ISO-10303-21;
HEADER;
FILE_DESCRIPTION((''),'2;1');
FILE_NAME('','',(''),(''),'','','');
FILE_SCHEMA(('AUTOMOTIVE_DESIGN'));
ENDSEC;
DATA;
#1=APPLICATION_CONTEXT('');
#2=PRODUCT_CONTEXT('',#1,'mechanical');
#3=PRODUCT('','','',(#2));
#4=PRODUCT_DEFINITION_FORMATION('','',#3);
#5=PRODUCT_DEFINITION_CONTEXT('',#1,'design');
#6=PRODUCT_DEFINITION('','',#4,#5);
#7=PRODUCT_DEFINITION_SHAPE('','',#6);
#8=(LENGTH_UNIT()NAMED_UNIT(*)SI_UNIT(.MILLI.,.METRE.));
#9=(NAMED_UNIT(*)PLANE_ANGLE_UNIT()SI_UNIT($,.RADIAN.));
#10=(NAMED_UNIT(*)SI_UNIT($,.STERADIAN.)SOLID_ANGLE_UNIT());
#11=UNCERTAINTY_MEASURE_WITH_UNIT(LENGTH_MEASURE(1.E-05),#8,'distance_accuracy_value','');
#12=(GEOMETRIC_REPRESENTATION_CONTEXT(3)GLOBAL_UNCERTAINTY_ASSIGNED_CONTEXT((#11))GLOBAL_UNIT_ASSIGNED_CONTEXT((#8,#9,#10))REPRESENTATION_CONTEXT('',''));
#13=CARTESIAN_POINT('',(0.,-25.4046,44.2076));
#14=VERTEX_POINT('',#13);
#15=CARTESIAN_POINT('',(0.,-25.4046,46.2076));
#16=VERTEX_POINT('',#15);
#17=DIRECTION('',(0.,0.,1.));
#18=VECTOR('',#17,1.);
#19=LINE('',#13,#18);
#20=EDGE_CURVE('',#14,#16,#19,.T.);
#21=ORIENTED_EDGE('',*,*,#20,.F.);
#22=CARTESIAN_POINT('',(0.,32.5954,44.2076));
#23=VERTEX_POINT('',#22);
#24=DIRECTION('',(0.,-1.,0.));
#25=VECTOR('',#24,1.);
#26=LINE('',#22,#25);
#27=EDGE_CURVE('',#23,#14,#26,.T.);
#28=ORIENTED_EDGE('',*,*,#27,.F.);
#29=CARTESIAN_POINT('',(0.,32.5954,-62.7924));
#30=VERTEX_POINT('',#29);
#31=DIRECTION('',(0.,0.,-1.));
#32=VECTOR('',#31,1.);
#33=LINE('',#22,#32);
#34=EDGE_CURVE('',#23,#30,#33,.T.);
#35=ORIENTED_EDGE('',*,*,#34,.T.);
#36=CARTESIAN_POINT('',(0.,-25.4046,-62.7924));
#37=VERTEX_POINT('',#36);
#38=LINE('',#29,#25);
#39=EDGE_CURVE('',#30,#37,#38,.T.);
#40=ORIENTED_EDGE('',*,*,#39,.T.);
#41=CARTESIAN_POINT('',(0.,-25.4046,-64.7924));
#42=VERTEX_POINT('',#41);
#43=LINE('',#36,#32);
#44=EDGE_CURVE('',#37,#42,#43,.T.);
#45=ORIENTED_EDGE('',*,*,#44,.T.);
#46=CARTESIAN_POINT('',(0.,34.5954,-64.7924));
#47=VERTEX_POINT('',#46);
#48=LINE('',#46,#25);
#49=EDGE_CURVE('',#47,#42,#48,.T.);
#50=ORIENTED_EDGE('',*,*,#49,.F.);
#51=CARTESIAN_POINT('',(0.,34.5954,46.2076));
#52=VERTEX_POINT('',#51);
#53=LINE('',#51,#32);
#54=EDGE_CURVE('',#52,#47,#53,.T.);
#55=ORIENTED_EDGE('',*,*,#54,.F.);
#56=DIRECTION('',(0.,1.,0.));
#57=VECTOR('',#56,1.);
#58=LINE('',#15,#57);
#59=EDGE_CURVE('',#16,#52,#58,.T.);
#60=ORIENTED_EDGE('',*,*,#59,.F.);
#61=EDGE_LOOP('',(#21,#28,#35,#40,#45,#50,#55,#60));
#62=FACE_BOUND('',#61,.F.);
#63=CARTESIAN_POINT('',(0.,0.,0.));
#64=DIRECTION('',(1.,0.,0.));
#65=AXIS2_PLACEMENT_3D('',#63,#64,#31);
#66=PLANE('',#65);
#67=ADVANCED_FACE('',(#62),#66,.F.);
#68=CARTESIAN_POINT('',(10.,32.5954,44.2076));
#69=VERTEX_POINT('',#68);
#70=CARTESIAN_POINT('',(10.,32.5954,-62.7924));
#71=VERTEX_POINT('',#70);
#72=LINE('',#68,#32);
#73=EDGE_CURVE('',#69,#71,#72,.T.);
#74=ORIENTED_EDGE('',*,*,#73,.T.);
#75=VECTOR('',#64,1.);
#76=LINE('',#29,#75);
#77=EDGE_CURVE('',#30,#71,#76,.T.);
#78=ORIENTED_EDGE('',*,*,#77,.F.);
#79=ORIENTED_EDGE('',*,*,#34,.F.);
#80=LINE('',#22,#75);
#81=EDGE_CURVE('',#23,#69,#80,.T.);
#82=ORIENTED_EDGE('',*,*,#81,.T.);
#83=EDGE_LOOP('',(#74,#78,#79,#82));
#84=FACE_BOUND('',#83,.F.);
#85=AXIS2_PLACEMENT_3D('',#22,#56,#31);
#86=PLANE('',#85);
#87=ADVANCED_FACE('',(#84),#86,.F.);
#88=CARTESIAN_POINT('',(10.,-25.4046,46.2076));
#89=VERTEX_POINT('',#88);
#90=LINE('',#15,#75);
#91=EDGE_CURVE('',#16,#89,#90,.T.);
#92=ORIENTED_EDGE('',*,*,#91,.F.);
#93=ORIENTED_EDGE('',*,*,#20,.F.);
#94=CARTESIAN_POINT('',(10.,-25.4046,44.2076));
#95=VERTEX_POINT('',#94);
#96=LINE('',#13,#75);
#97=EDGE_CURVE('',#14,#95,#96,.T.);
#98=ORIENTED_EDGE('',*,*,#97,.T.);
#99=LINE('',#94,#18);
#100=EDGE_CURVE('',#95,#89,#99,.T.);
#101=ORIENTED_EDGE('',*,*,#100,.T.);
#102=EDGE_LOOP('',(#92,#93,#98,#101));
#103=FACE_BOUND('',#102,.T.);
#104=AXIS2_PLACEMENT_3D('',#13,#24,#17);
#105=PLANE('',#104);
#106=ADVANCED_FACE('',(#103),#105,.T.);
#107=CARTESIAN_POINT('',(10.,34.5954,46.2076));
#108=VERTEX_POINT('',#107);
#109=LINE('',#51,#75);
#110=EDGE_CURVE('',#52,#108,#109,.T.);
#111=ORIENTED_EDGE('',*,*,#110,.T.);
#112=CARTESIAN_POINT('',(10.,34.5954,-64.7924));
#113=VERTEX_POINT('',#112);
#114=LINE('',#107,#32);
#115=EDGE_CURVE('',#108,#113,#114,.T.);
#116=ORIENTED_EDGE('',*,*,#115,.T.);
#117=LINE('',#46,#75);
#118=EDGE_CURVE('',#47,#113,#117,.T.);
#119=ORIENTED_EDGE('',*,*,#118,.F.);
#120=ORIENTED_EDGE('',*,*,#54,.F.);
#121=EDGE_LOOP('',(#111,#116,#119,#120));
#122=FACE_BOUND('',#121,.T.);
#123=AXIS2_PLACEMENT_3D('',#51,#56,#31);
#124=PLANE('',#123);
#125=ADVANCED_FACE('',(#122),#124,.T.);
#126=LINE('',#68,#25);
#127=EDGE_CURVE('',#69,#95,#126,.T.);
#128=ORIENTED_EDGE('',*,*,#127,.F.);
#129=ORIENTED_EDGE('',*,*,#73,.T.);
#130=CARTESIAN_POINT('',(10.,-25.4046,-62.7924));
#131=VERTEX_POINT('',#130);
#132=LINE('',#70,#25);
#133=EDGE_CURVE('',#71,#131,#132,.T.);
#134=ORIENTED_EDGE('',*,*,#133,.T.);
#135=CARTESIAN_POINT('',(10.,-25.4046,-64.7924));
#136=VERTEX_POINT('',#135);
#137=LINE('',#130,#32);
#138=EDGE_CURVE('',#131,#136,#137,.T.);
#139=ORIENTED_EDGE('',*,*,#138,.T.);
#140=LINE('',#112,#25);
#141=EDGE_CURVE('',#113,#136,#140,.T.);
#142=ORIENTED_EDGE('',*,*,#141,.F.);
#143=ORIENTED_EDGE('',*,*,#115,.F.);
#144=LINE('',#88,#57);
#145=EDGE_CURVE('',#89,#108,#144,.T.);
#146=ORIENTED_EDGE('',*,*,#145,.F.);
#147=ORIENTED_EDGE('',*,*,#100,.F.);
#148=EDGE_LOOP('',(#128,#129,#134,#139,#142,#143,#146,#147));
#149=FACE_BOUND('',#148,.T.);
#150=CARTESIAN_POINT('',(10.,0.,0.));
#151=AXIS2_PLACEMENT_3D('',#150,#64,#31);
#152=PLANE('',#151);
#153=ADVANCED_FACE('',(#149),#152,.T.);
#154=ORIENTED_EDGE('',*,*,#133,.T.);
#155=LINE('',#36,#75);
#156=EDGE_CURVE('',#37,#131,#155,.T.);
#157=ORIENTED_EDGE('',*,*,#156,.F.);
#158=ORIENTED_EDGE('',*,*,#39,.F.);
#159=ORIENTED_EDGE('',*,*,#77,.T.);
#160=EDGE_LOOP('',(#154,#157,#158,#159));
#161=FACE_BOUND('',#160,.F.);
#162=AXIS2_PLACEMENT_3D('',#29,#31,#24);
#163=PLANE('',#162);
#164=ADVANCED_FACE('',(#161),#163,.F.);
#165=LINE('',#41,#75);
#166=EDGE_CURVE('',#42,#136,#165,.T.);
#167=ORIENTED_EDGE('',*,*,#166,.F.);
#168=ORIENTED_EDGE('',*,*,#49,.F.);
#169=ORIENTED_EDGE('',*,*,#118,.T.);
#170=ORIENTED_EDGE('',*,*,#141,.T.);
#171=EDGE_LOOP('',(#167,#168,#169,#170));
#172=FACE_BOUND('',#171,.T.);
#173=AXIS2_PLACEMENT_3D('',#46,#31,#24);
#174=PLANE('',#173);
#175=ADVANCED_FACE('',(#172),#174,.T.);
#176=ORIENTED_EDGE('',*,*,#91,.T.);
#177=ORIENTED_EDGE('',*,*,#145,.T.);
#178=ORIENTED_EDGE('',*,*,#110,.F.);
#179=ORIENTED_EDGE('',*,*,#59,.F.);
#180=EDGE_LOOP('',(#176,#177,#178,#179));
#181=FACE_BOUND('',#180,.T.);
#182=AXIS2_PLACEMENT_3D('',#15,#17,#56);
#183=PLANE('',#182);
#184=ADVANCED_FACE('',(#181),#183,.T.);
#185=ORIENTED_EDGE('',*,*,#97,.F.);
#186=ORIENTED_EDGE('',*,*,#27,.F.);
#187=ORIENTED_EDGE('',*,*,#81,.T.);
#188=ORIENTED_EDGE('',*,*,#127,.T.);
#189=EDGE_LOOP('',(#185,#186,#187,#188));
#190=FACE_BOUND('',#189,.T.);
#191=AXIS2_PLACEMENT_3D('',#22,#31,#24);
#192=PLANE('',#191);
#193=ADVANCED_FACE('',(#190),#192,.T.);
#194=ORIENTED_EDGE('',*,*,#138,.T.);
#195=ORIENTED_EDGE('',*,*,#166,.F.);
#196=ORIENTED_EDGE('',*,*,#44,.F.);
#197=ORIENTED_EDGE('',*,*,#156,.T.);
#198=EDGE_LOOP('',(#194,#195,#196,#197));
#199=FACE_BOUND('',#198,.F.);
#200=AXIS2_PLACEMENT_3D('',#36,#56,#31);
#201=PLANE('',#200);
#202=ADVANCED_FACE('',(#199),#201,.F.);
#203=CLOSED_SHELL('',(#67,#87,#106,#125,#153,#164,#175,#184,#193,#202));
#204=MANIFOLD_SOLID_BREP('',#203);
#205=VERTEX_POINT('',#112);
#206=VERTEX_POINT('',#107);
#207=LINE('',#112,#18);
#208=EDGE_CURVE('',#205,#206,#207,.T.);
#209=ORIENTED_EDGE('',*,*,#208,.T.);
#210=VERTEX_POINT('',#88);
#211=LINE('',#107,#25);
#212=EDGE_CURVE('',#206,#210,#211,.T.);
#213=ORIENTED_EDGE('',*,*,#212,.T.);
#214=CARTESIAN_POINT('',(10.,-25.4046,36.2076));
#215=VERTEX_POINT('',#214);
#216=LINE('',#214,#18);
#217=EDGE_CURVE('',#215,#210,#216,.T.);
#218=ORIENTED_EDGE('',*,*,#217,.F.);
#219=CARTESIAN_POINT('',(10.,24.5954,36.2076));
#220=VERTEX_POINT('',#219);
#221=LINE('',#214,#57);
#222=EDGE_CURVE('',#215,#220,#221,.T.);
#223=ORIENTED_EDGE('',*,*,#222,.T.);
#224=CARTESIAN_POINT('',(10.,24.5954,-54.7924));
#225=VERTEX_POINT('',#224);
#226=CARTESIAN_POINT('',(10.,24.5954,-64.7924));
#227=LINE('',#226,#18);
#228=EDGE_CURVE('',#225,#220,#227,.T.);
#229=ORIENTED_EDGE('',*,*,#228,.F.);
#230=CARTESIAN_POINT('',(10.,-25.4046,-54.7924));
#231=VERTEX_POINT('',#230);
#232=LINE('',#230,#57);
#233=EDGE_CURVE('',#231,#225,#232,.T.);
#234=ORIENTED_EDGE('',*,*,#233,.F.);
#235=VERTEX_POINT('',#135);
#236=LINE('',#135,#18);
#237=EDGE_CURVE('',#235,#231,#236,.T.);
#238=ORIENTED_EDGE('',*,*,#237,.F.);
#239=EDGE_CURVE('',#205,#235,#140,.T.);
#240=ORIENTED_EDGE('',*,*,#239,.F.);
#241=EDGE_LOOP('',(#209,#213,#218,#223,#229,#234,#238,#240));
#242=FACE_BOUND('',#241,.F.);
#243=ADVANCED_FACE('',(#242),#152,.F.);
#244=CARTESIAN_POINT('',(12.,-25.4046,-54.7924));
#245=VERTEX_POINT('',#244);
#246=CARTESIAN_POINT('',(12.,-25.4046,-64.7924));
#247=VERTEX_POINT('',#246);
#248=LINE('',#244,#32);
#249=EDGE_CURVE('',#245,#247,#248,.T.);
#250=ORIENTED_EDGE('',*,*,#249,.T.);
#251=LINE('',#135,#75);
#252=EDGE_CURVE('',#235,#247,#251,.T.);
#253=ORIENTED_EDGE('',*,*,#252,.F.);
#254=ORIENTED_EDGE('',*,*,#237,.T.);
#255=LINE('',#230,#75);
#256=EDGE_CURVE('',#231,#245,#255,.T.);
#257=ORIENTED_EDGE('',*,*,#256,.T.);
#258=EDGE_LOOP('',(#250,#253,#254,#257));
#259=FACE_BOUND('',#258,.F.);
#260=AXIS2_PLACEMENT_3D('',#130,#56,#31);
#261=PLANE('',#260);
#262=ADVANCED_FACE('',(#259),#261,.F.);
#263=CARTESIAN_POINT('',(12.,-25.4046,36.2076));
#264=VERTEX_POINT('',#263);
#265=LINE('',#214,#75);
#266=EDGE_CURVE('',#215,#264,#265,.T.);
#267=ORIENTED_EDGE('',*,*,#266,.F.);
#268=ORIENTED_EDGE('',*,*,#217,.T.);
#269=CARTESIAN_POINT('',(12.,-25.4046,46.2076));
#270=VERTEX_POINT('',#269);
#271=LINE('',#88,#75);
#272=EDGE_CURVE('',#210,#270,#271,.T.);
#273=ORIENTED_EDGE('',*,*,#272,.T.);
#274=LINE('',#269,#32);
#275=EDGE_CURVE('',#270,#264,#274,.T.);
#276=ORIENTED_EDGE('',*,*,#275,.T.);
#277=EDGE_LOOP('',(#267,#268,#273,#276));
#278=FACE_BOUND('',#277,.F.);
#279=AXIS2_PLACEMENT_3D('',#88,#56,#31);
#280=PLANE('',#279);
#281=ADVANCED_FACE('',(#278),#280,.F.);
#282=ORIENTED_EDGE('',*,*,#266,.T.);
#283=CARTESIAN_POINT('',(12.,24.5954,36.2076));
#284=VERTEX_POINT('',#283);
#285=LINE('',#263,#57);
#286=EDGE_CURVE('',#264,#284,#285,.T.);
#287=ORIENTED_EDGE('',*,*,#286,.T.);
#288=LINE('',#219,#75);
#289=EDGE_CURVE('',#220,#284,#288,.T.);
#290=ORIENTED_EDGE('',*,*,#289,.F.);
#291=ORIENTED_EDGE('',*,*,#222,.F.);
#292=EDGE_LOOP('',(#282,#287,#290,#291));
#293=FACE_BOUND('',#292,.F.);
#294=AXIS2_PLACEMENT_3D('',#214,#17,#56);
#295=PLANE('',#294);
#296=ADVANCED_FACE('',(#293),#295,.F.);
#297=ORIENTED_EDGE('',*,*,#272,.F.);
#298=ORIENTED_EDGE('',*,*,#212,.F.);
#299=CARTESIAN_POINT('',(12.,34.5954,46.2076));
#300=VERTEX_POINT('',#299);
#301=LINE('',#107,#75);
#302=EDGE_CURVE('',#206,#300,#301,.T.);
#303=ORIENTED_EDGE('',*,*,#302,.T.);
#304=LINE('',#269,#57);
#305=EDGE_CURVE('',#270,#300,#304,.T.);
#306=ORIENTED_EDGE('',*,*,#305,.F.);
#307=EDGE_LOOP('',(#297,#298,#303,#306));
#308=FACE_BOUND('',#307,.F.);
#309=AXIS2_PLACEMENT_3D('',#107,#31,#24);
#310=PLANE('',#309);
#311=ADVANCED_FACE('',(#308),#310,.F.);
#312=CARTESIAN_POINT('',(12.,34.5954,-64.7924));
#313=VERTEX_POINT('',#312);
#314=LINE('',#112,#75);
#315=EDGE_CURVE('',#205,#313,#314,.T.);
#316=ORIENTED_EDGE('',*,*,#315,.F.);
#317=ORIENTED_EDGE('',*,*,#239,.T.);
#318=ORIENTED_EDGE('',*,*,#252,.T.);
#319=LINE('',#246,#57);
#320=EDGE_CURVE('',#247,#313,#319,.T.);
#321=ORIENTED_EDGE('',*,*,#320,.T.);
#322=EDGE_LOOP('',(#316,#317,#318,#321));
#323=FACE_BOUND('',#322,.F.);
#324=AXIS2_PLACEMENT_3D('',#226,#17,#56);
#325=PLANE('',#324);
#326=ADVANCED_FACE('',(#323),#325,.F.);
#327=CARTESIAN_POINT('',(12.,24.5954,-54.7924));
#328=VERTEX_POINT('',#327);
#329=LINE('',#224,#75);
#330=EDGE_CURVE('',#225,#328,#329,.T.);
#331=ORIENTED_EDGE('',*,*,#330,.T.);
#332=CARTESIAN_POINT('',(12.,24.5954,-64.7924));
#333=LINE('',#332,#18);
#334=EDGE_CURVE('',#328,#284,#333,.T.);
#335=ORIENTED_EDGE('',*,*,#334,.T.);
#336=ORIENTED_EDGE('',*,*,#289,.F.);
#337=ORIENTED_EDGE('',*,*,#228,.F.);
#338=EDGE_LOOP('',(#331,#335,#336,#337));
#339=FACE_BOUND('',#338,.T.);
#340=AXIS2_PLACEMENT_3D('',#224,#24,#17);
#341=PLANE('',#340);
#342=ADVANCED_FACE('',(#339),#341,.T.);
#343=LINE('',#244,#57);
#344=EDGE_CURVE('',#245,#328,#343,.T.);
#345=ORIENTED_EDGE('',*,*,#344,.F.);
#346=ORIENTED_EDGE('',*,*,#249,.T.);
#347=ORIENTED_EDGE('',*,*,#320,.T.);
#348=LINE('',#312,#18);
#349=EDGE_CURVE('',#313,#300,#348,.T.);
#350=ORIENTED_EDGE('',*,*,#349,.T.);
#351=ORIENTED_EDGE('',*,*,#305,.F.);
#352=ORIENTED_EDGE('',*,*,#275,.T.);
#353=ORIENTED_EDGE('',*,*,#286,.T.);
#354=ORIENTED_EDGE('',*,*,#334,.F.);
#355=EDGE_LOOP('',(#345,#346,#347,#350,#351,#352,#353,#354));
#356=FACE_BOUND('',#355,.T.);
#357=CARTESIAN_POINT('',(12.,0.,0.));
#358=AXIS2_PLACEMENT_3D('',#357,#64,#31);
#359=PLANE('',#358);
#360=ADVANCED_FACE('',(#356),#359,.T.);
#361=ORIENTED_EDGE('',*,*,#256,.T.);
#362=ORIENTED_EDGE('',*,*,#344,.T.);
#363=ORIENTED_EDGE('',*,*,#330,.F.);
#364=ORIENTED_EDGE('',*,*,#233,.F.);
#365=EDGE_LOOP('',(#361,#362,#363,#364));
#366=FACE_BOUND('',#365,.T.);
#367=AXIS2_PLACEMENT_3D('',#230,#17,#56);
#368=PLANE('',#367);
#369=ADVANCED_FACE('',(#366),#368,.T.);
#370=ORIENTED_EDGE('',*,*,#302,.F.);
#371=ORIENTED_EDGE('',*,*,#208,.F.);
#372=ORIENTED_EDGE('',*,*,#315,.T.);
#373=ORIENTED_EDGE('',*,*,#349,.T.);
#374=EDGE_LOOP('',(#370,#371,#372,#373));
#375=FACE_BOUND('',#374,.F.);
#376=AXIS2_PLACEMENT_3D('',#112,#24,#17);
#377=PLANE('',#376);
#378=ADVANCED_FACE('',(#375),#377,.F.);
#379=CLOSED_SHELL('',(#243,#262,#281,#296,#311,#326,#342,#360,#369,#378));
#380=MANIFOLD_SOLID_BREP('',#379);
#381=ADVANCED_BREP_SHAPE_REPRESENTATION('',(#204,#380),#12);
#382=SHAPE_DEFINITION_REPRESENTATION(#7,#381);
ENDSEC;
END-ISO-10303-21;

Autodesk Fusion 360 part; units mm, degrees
sketch "Skizze1" plane through (0, 0, 0) normal (1, 0, 0) x (0, 0, -1)
  line L0 (-44.2076, 32.5954) -> (62.7924, 32.5954)
  line L1 (-44.2076, 32.5954) -> (-44.2076, -25.4046)
  line L2 (62.7924, 32.5954) -> (62.7924, -25.4046)
  line L3 (-44.2076, -25.4046) -> (-46.2076, -25.4046)
  line L4 (-46.2076, -25.4046) -> (-46.2076, 34.5954)
  line L5 (-46.2076, 34.5954) -> (64.7924, 34.5954)
  line L6 (64.7924, 34.5954) -> (64.7924, -25.4046)
  line L7 (62.7924, -25.4046) -> (64.7924, -25.4046)
  dimension "d1" = 107
  dimension "d2" = 58
  dimension "d3" = 58
  dimension "d4" = 2
  dimension "d5" = 60
  dimension "d6" = 111
  dimension "d7" = 60
extrude "Extrusion1" add sketch "Skizze1" along normal blind 10 makes body 1
sketch "Skizze2" plane through (10, 0, 0) normal (1, 0, 0) x (0, 0, -1)
  line L0 (-44.2076, 32.5954) -> (62.7924, 32.5954)
  line L1 (62.7924, 32.5954) -> (62.7924, -25.4046)
  line L2 (62.7924, -25.4046) -> (64.7924, -25.4046)
  line L3 (64.7924, -25.4046) -> (64.7924, 34.5954)
  line L4 (64.7924, 34.5954) -> (-46.2076, 34.5954)
  line L5 (-46.2076, 34.5954) -> (-46.2076, -25.4046)
  line L6 (-46.2076, -25.4046) -> (-44.2076, -25.4046)
  line L7 (-44.2076, -25.4046) -> (-44.2076, 32.5954)
  line L8 (-46.2076, 34.5954) -> (64.7924, 34.5954)
  line L9 (64.7924, 34.5954) -> (64.7924, 24.5954)
  line L10 (64.7924, 24.5954) -> (-46.2076, 24.5954)
  line L11 (-46.2076, 24.5954) -> (-46.2076, 34.5954)
  line L12 (-46.2076, -25.4046) -> (-36.2076, -25.4046)
  line L13 (-36.2076, -25.4046) -> (-36.2076, 24.5954)
  line L14 (-36.2076, 24.5954) -> (-46.2076, 24.5954)
  line L15 (-46.2076, 24.5954) -> (-46.2076, -25.4046)
  line L16 (64.7924, -25.4046) -> (54.7924, -25.4046)
  line L17 (54.7924, -25.4046) -> (54.7924, 24.5954)
  line L18 (54.7924, 24.5954) -> (64.7924, 24.5954)
  line L19 (64.7924, 24.5954) -> (64.7924, -25.4046)
  dimension "d10" = 10
  dimension "d11" = 10
  dimension "d12" = 10
extrude "Extrusion2" add sketch "Skizze2" along normal blind 2 separate body makes body 2
ref_plane "Arbeitsebene2" through (5, -25.4046, 45.2076) normal (0, -1, 0) x (0, 0, -1)
sketch "Skizze4" plane through (5, -25.4046, 45.2076) normal (0, -1, 0) x (1, 0, 0)
  line L0 (-5, 1) -> (8.0711, 14.0711)
  line L1 (-5, 1) -> (17.1415, 1) construction
  line L2 (7, -9) -> (19.0711, 3.0711)
  line L3 (7, -9) -> (28.7493, -9) construction
  line L4 (19.0711, 10.1421) -> (15.1421, 14.0711)
  circle A0 centre (13.1976, 8.9445) radius 2.5
  line L5 (7, -100) -> (19.0711, -112.0711)
  line L6 (19.0711, -119.1421) -> (15.1421, -123.0711)
  line L7 (8.0711, -123.0711) -> (-5, -110)
  line L8 (-5, -110) -> (5, -110)
  circle A1 centre (13.591, -117.5511) radius 2.5
  line L9 (-5, -110) -> (7, -110)
  line L10 (7, -110) -> (7, -100)
  line L11 (-5, 1) -> (7, 1)
  line L12 (7, 1) -> (7, -9)
  arc A2 (19.0711, 3.0711) -> (19.0711, 10.1421) centre (15.5355, 6.6066) ccw
  arc A3 (15.1421, 14.0711) -> (8.0711, 14.0711) centre (11.6066, 10.5355) ccw
  arc A4 (19.0711, -119.1421) -> (19.0711, -112.0711) centre (15.5355, -115.6066) ccw
  arc A5 (8.0711, -123.0711) -> (15.1421, -123.0711) centre (11.6066, -119.5355) ccw
  point P0 (11.6066, 17.6066)
  point P1 (22.6066, 6.6066)
  point P2 (7, 1)
  point P3 (-5, 1)
  point P4 (7, -9)
  point P5 (-5, -110)
  point P6 (7, -100)
  point P7 (7, -110)
  dimension "d18" = 45
  dimension "d19" = 45
  dimension "d20" = 15
  dimension "d21" = 5
  dimension "d23" = 15.5563
  dimension "d24" = 7.25
  dimension "d25" = 5
  dimension "d26" = 45
  dimension "d27" = 15
  dimension "d28" = 5
  dimension "d29" = 7.75
  dimension "d30" = 5
  dimension "d33" = 5
extrude "Extrusion3" [suppressed]
fillet "Abrundung1" [suppressed]
fillet "Abrundung2" [suppressed]
